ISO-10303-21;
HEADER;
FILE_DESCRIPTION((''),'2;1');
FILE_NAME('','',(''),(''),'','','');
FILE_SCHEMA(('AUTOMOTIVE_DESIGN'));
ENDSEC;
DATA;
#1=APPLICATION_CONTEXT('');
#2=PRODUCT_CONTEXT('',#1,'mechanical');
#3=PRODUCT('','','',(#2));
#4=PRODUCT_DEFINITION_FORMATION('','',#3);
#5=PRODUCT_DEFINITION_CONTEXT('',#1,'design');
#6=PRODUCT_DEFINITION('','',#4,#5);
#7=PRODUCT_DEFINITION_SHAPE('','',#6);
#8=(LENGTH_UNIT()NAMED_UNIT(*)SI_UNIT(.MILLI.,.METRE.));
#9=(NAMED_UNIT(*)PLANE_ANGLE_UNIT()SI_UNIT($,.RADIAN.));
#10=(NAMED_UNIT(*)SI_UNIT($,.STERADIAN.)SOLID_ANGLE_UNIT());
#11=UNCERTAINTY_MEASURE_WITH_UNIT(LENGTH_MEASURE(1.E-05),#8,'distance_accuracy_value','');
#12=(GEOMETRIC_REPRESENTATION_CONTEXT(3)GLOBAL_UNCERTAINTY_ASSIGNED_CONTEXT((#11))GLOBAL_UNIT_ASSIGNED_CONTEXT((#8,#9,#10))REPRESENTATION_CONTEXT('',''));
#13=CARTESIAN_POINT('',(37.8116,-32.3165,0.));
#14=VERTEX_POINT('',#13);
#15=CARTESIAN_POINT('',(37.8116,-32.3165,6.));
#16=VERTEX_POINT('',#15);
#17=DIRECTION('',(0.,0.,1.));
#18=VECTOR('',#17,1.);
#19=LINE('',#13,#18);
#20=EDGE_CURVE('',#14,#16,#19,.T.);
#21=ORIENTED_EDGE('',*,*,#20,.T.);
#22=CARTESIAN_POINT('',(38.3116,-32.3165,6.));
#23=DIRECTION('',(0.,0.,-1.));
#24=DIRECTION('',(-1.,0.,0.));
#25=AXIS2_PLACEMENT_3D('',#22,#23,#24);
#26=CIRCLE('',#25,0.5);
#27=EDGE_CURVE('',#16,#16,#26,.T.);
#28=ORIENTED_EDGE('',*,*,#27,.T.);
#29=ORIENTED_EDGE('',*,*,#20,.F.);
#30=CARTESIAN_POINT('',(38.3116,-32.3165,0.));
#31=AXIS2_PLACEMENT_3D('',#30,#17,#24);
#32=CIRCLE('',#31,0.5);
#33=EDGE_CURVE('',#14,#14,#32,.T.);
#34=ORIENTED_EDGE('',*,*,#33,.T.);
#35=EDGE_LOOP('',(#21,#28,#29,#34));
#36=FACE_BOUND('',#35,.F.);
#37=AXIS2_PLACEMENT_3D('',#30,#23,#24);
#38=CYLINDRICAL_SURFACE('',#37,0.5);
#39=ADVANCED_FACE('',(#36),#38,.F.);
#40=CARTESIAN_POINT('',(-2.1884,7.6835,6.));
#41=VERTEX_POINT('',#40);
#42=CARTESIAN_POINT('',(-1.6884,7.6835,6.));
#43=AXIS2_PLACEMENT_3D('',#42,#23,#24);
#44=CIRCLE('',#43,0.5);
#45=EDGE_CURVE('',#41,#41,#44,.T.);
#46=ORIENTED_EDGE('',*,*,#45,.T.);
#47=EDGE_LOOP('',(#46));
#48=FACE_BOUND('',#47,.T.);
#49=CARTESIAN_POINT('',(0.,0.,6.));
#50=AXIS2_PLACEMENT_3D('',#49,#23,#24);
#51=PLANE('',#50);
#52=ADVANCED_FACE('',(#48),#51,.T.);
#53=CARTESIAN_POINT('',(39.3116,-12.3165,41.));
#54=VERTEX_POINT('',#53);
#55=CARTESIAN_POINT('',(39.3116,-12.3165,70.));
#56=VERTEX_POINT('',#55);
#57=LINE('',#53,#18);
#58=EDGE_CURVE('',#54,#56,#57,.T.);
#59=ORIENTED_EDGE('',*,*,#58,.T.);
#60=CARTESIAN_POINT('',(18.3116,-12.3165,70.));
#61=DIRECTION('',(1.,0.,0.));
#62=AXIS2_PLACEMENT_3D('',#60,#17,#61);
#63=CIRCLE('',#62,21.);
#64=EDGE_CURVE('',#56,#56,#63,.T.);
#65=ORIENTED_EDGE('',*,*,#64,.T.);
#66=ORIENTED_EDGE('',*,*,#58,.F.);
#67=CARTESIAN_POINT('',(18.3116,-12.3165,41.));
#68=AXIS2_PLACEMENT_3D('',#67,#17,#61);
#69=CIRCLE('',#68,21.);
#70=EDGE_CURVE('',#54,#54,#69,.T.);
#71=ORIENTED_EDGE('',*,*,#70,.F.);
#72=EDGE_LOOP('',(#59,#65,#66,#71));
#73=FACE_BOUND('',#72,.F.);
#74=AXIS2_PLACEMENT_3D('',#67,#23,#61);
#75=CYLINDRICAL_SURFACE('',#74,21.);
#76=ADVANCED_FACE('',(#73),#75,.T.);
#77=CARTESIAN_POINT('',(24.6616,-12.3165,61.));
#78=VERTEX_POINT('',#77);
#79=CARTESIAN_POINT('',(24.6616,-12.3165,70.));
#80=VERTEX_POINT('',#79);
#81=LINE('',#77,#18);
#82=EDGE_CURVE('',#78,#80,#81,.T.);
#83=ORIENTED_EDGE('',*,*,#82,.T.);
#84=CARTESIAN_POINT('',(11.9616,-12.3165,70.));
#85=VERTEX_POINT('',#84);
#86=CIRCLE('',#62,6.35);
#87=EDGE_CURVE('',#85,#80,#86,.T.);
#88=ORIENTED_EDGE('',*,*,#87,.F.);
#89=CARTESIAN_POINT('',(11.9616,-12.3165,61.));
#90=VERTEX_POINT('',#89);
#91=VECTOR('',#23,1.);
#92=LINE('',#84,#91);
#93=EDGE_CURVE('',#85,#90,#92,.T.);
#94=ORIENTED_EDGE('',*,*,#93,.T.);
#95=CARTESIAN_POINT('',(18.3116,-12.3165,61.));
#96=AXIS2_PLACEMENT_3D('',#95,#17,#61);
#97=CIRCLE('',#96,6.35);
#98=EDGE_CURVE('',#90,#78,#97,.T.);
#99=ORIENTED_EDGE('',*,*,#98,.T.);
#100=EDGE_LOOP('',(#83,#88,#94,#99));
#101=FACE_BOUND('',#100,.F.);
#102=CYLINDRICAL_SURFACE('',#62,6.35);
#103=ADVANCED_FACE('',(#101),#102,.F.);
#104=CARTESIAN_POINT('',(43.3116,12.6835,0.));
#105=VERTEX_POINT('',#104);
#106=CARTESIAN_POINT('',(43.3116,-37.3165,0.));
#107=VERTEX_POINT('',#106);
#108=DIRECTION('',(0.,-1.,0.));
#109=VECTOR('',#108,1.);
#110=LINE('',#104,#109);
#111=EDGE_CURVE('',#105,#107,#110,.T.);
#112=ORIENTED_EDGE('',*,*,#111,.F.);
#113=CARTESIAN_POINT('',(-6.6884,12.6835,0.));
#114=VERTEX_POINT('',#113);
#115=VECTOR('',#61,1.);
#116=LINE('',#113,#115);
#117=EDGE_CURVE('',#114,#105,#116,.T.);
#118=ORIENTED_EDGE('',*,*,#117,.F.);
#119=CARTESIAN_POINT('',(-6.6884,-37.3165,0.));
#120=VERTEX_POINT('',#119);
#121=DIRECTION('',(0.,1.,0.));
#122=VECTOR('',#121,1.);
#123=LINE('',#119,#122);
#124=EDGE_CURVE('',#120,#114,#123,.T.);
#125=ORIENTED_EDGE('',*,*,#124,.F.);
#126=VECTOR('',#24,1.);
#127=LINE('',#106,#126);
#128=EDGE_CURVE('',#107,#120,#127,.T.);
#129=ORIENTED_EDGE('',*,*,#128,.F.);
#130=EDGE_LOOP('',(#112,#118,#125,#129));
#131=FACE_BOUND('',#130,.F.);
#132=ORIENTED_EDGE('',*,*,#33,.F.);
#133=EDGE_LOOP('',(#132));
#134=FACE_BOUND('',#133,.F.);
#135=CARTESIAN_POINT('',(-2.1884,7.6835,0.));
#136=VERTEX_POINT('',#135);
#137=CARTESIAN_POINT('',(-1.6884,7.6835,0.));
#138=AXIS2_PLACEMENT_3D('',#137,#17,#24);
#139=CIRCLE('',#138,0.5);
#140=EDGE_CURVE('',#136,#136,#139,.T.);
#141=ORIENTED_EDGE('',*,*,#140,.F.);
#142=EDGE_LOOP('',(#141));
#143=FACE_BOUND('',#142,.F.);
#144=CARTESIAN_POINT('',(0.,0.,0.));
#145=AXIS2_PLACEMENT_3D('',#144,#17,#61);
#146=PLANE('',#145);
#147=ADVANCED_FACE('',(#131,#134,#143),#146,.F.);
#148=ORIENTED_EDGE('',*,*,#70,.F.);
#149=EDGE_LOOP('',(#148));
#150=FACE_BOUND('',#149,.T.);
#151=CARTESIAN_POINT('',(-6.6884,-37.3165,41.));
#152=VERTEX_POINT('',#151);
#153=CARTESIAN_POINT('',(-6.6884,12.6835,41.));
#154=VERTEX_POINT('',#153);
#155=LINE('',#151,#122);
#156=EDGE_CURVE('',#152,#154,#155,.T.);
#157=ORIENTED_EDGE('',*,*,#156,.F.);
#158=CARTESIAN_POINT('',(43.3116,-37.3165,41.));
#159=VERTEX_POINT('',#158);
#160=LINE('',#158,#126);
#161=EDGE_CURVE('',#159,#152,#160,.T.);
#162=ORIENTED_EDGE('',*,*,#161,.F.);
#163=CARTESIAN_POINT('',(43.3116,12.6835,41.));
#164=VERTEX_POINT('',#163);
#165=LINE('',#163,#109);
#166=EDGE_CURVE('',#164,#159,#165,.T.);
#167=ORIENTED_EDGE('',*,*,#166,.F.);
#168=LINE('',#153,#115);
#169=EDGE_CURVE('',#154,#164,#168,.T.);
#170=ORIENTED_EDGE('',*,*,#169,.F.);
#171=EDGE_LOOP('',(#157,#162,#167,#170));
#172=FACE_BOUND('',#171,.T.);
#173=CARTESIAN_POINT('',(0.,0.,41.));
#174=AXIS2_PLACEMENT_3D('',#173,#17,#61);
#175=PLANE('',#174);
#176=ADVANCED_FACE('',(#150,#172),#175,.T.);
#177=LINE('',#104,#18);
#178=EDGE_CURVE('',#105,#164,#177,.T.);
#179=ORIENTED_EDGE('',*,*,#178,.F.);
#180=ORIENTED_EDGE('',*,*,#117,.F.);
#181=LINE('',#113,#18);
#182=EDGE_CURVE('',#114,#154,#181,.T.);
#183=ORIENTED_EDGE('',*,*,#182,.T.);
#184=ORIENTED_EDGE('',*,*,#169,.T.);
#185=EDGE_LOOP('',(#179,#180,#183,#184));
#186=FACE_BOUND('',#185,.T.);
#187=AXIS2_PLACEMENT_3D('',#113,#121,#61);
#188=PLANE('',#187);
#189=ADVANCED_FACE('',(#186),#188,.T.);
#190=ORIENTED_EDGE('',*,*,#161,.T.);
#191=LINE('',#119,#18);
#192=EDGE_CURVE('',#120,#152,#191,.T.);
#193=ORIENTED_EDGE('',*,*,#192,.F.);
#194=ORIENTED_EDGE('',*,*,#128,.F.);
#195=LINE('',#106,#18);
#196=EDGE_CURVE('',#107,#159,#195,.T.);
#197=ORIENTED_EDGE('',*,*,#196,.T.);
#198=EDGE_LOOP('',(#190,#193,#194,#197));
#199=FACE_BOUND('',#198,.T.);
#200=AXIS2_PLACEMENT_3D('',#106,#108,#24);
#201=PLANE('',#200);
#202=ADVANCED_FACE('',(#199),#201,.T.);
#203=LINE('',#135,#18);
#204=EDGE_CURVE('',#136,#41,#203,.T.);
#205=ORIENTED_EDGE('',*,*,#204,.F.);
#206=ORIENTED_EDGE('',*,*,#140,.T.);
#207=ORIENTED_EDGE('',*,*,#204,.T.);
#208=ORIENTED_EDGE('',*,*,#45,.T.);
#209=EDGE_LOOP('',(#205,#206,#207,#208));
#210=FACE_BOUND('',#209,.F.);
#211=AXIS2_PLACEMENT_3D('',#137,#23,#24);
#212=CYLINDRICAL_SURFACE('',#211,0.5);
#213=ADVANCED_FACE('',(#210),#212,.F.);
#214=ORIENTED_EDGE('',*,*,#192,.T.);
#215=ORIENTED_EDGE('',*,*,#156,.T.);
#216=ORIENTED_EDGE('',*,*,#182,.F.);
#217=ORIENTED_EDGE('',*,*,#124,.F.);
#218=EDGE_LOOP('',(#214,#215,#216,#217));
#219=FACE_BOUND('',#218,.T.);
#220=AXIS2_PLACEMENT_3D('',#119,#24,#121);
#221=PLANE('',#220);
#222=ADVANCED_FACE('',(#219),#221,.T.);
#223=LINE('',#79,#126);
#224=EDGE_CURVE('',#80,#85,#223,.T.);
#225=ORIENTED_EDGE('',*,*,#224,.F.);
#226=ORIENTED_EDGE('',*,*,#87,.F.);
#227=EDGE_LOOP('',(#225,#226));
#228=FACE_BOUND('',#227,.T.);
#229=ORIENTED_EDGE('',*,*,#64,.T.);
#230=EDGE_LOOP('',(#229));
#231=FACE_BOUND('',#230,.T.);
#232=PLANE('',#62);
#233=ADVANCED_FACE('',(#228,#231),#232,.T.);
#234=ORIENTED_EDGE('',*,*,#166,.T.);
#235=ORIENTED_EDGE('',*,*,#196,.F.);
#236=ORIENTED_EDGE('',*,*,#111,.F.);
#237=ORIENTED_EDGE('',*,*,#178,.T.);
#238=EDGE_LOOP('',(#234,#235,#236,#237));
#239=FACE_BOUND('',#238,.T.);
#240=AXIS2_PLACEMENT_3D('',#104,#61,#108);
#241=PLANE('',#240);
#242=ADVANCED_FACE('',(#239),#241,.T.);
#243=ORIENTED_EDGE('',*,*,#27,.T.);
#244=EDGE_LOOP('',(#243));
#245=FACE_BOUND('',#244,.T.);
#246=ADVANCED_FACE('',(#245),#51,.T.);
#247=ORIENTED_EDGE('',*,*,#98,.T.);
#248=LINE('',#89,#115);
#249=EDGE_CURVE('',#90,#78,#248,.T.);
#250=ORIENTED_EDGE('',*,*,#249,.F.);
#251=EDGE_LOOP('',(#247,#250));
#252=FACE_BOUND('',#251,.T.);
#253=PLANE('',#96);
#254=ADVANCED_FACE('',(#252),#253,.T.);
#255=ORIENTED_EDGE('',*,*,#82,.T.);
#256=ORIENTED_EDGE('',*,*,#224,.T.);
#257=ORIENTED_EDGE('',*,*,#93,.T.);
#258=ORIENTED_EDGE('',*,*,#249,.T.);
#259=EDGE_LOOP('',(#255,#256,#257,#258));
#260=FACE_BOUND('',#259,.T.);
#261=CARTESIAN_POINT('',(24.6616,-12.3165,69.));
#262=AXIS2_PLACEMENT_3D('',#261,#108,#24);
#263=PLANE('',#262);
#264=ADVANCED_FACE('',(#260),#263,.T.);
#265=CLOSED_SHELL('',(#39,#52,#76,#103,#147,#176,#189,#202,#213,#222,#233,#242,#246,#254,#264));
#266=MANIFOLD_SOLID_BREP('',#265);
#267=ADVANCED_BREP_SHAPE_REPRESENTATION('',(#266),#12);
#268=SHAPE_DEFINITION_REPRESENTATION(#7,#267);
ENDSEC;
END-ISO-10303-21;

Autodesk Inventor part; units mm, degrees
ref_plane "YZ Plane" through (0, 0, 0) normal (1, 0, 0) x (0, 1, 0)
ref_plane "XZ Plane" through (0, 0, 0) normal (0, 1, 0) x (-1, 0, 0)
ref_plane "XY Plane" through (0, 0, 0) normal (0, 0, 1) x (1, 0, 0)
sketch "Sketch1" plane through (0, 0, 0) normal (0, 0, 1) x (1, 0, 0)
  line L0 (-6.6884, 12.6835) -> (43.3116, 12.6835)
  line L1 (43.3116, 12.6835) -> (43.3116, -37.3165)
  line L2 (43.3116, -37.3165) -> (-6.6884, -37.3165)
  line L3 (-6.6884, -37.3165) -> (-6.6884, 12.6835)
  point P0 (0, 0)
  dimension "d0" = 50
  dimension "d1" = 50
extrude "Extrusion1" add sketch "Sketch1" along normal blind 41
sketch "Sketch2" plane through (0, 0, 41) normal (0, 0, 1) x (1, 0, 0)
  circle A0 centre (18.3116, -12.3165) radius 21
  point P0 (0, 0)
  dimension "d4" = 42
extrude "Extrusion2" add sketch "Sketch2" along normal blind 29
sketch "Sketch3" plane through (18.3116, -12.3165, 70) normal (0, 0, 1) x (1, 0, 0)
  circle A0 centre (0, 0) radius 21 projected
  circle A1 centre (0, 0) radius 6.35
  point P0 (-18.3116, 12.3165)
  dimension "d7" = 12.7
extrude "Extrusion3" cut sketch "Sketch3" against normal blind 29 contours A1
sketch "Sketch4" plane through (18.3116, -12.3165, 41) normal (0, 0, 1) x (1, 0, 0)
  circle A0 centre (0, 0) radius 6.35 projected
  point P0 (-18.3116, 12.3165)
extrude "Extrusion4" add sketch "Sketch4" along normal blind 21
sketch "Sketch5" plane through (18.3116, -12.3165, 62) normal (0, 0, 1) x (1, 0, 0)
  circle A0 centre (0, 0) radius 6.35 projected
  point P0 (-18.3116, 12.3165)
extrude "Extrusion5" cut sketch "Sketch5" against normal blind 1
sketch "Sketch6" plane through (18.3116, -12.3165, 61) normal (0, 0, 1) x (1, 0, 0)
  circle A0 centre (0, 0) radius 6.35 projected
  line L0 (-6.35, 0) -> (6.35, 0)
  point P0 (-18.3116, 12.3165)
extrude "Extrusion6" add sketch "Sketch6" along normal blind 8 contours L0 A0 picked at (1.8268, 2.3873)
sketch "Sketch7" plane through (18.3116, -12.3165, 69) normal (0, 0, 1) x (1, 0, 0)
  arc A0 (6.35, 0) -> (-6.35, 0) centre (0, 0) ccw projected
  line L0 (6.35, 0) -> (-6.35, 0) projected
  point P0 (-18.3116, 12.3165)
extrude "Extrusion7" add sketch "Sketch7" along normal blind 1
sketch "Sketch8" plane through (0, 0, 0) normal (0, 0, -1) x (-1, 0, 0)
  line L0 (-43.3116, 12.6835) -> (-38.3116, 12.6835)
  line L1 (-38.3116, 12.6835) -> (-38.3116, 7.6835)
  line L2 (-38.3116, 7.6835) -> (-43.3116, 7.6835)
  line L3 (-43.3116, 7.6835) -> (-43.3116, 12.6835)
  line L4 (6.6884, -37.3165) -> (1.6884, -37.3165)
  line L5 (1.6884, -37.3165) -> (1.6884, -32.3165)
  line L6 (1.6884, -32.3165) -> (6.6884, -32.3165)
  line L7 (6.6884, -32.3165) -> (6.6884, -37.3165)
  line L8 (-38.3116, 7.6835) -> (1.6884, 7.6835)
  line L9 (1.6884, 7.6835) -> (1.6884, -32.3165)
  line L10 (1.6884, -32.3165) -> (-38.3116, -32.3165)
  line L11 (-38.3116, -32.3165) -> (-38.3116, 7.6835)
  circle A0 centre (-38.3116, -32.3165) radius 0.5
  circle A1 centre (1.6884, 7.6835) radius 0.5
  point P0 (0, 0)
  dimension "d18" = 5
  dimension "d19" = 5
  dimension "d20" = 5
  dimension "d21" = 5
  dimension "d22" = 1
  dimension "d23" = 1
extrude "Extrusion8" cut sketch "Sketch8" against normal blind 6 contours A1 L9 L8 | L8 L9 A1 | A0 L10 L11 | L11 L10 A0
properties part number "hmodel"
